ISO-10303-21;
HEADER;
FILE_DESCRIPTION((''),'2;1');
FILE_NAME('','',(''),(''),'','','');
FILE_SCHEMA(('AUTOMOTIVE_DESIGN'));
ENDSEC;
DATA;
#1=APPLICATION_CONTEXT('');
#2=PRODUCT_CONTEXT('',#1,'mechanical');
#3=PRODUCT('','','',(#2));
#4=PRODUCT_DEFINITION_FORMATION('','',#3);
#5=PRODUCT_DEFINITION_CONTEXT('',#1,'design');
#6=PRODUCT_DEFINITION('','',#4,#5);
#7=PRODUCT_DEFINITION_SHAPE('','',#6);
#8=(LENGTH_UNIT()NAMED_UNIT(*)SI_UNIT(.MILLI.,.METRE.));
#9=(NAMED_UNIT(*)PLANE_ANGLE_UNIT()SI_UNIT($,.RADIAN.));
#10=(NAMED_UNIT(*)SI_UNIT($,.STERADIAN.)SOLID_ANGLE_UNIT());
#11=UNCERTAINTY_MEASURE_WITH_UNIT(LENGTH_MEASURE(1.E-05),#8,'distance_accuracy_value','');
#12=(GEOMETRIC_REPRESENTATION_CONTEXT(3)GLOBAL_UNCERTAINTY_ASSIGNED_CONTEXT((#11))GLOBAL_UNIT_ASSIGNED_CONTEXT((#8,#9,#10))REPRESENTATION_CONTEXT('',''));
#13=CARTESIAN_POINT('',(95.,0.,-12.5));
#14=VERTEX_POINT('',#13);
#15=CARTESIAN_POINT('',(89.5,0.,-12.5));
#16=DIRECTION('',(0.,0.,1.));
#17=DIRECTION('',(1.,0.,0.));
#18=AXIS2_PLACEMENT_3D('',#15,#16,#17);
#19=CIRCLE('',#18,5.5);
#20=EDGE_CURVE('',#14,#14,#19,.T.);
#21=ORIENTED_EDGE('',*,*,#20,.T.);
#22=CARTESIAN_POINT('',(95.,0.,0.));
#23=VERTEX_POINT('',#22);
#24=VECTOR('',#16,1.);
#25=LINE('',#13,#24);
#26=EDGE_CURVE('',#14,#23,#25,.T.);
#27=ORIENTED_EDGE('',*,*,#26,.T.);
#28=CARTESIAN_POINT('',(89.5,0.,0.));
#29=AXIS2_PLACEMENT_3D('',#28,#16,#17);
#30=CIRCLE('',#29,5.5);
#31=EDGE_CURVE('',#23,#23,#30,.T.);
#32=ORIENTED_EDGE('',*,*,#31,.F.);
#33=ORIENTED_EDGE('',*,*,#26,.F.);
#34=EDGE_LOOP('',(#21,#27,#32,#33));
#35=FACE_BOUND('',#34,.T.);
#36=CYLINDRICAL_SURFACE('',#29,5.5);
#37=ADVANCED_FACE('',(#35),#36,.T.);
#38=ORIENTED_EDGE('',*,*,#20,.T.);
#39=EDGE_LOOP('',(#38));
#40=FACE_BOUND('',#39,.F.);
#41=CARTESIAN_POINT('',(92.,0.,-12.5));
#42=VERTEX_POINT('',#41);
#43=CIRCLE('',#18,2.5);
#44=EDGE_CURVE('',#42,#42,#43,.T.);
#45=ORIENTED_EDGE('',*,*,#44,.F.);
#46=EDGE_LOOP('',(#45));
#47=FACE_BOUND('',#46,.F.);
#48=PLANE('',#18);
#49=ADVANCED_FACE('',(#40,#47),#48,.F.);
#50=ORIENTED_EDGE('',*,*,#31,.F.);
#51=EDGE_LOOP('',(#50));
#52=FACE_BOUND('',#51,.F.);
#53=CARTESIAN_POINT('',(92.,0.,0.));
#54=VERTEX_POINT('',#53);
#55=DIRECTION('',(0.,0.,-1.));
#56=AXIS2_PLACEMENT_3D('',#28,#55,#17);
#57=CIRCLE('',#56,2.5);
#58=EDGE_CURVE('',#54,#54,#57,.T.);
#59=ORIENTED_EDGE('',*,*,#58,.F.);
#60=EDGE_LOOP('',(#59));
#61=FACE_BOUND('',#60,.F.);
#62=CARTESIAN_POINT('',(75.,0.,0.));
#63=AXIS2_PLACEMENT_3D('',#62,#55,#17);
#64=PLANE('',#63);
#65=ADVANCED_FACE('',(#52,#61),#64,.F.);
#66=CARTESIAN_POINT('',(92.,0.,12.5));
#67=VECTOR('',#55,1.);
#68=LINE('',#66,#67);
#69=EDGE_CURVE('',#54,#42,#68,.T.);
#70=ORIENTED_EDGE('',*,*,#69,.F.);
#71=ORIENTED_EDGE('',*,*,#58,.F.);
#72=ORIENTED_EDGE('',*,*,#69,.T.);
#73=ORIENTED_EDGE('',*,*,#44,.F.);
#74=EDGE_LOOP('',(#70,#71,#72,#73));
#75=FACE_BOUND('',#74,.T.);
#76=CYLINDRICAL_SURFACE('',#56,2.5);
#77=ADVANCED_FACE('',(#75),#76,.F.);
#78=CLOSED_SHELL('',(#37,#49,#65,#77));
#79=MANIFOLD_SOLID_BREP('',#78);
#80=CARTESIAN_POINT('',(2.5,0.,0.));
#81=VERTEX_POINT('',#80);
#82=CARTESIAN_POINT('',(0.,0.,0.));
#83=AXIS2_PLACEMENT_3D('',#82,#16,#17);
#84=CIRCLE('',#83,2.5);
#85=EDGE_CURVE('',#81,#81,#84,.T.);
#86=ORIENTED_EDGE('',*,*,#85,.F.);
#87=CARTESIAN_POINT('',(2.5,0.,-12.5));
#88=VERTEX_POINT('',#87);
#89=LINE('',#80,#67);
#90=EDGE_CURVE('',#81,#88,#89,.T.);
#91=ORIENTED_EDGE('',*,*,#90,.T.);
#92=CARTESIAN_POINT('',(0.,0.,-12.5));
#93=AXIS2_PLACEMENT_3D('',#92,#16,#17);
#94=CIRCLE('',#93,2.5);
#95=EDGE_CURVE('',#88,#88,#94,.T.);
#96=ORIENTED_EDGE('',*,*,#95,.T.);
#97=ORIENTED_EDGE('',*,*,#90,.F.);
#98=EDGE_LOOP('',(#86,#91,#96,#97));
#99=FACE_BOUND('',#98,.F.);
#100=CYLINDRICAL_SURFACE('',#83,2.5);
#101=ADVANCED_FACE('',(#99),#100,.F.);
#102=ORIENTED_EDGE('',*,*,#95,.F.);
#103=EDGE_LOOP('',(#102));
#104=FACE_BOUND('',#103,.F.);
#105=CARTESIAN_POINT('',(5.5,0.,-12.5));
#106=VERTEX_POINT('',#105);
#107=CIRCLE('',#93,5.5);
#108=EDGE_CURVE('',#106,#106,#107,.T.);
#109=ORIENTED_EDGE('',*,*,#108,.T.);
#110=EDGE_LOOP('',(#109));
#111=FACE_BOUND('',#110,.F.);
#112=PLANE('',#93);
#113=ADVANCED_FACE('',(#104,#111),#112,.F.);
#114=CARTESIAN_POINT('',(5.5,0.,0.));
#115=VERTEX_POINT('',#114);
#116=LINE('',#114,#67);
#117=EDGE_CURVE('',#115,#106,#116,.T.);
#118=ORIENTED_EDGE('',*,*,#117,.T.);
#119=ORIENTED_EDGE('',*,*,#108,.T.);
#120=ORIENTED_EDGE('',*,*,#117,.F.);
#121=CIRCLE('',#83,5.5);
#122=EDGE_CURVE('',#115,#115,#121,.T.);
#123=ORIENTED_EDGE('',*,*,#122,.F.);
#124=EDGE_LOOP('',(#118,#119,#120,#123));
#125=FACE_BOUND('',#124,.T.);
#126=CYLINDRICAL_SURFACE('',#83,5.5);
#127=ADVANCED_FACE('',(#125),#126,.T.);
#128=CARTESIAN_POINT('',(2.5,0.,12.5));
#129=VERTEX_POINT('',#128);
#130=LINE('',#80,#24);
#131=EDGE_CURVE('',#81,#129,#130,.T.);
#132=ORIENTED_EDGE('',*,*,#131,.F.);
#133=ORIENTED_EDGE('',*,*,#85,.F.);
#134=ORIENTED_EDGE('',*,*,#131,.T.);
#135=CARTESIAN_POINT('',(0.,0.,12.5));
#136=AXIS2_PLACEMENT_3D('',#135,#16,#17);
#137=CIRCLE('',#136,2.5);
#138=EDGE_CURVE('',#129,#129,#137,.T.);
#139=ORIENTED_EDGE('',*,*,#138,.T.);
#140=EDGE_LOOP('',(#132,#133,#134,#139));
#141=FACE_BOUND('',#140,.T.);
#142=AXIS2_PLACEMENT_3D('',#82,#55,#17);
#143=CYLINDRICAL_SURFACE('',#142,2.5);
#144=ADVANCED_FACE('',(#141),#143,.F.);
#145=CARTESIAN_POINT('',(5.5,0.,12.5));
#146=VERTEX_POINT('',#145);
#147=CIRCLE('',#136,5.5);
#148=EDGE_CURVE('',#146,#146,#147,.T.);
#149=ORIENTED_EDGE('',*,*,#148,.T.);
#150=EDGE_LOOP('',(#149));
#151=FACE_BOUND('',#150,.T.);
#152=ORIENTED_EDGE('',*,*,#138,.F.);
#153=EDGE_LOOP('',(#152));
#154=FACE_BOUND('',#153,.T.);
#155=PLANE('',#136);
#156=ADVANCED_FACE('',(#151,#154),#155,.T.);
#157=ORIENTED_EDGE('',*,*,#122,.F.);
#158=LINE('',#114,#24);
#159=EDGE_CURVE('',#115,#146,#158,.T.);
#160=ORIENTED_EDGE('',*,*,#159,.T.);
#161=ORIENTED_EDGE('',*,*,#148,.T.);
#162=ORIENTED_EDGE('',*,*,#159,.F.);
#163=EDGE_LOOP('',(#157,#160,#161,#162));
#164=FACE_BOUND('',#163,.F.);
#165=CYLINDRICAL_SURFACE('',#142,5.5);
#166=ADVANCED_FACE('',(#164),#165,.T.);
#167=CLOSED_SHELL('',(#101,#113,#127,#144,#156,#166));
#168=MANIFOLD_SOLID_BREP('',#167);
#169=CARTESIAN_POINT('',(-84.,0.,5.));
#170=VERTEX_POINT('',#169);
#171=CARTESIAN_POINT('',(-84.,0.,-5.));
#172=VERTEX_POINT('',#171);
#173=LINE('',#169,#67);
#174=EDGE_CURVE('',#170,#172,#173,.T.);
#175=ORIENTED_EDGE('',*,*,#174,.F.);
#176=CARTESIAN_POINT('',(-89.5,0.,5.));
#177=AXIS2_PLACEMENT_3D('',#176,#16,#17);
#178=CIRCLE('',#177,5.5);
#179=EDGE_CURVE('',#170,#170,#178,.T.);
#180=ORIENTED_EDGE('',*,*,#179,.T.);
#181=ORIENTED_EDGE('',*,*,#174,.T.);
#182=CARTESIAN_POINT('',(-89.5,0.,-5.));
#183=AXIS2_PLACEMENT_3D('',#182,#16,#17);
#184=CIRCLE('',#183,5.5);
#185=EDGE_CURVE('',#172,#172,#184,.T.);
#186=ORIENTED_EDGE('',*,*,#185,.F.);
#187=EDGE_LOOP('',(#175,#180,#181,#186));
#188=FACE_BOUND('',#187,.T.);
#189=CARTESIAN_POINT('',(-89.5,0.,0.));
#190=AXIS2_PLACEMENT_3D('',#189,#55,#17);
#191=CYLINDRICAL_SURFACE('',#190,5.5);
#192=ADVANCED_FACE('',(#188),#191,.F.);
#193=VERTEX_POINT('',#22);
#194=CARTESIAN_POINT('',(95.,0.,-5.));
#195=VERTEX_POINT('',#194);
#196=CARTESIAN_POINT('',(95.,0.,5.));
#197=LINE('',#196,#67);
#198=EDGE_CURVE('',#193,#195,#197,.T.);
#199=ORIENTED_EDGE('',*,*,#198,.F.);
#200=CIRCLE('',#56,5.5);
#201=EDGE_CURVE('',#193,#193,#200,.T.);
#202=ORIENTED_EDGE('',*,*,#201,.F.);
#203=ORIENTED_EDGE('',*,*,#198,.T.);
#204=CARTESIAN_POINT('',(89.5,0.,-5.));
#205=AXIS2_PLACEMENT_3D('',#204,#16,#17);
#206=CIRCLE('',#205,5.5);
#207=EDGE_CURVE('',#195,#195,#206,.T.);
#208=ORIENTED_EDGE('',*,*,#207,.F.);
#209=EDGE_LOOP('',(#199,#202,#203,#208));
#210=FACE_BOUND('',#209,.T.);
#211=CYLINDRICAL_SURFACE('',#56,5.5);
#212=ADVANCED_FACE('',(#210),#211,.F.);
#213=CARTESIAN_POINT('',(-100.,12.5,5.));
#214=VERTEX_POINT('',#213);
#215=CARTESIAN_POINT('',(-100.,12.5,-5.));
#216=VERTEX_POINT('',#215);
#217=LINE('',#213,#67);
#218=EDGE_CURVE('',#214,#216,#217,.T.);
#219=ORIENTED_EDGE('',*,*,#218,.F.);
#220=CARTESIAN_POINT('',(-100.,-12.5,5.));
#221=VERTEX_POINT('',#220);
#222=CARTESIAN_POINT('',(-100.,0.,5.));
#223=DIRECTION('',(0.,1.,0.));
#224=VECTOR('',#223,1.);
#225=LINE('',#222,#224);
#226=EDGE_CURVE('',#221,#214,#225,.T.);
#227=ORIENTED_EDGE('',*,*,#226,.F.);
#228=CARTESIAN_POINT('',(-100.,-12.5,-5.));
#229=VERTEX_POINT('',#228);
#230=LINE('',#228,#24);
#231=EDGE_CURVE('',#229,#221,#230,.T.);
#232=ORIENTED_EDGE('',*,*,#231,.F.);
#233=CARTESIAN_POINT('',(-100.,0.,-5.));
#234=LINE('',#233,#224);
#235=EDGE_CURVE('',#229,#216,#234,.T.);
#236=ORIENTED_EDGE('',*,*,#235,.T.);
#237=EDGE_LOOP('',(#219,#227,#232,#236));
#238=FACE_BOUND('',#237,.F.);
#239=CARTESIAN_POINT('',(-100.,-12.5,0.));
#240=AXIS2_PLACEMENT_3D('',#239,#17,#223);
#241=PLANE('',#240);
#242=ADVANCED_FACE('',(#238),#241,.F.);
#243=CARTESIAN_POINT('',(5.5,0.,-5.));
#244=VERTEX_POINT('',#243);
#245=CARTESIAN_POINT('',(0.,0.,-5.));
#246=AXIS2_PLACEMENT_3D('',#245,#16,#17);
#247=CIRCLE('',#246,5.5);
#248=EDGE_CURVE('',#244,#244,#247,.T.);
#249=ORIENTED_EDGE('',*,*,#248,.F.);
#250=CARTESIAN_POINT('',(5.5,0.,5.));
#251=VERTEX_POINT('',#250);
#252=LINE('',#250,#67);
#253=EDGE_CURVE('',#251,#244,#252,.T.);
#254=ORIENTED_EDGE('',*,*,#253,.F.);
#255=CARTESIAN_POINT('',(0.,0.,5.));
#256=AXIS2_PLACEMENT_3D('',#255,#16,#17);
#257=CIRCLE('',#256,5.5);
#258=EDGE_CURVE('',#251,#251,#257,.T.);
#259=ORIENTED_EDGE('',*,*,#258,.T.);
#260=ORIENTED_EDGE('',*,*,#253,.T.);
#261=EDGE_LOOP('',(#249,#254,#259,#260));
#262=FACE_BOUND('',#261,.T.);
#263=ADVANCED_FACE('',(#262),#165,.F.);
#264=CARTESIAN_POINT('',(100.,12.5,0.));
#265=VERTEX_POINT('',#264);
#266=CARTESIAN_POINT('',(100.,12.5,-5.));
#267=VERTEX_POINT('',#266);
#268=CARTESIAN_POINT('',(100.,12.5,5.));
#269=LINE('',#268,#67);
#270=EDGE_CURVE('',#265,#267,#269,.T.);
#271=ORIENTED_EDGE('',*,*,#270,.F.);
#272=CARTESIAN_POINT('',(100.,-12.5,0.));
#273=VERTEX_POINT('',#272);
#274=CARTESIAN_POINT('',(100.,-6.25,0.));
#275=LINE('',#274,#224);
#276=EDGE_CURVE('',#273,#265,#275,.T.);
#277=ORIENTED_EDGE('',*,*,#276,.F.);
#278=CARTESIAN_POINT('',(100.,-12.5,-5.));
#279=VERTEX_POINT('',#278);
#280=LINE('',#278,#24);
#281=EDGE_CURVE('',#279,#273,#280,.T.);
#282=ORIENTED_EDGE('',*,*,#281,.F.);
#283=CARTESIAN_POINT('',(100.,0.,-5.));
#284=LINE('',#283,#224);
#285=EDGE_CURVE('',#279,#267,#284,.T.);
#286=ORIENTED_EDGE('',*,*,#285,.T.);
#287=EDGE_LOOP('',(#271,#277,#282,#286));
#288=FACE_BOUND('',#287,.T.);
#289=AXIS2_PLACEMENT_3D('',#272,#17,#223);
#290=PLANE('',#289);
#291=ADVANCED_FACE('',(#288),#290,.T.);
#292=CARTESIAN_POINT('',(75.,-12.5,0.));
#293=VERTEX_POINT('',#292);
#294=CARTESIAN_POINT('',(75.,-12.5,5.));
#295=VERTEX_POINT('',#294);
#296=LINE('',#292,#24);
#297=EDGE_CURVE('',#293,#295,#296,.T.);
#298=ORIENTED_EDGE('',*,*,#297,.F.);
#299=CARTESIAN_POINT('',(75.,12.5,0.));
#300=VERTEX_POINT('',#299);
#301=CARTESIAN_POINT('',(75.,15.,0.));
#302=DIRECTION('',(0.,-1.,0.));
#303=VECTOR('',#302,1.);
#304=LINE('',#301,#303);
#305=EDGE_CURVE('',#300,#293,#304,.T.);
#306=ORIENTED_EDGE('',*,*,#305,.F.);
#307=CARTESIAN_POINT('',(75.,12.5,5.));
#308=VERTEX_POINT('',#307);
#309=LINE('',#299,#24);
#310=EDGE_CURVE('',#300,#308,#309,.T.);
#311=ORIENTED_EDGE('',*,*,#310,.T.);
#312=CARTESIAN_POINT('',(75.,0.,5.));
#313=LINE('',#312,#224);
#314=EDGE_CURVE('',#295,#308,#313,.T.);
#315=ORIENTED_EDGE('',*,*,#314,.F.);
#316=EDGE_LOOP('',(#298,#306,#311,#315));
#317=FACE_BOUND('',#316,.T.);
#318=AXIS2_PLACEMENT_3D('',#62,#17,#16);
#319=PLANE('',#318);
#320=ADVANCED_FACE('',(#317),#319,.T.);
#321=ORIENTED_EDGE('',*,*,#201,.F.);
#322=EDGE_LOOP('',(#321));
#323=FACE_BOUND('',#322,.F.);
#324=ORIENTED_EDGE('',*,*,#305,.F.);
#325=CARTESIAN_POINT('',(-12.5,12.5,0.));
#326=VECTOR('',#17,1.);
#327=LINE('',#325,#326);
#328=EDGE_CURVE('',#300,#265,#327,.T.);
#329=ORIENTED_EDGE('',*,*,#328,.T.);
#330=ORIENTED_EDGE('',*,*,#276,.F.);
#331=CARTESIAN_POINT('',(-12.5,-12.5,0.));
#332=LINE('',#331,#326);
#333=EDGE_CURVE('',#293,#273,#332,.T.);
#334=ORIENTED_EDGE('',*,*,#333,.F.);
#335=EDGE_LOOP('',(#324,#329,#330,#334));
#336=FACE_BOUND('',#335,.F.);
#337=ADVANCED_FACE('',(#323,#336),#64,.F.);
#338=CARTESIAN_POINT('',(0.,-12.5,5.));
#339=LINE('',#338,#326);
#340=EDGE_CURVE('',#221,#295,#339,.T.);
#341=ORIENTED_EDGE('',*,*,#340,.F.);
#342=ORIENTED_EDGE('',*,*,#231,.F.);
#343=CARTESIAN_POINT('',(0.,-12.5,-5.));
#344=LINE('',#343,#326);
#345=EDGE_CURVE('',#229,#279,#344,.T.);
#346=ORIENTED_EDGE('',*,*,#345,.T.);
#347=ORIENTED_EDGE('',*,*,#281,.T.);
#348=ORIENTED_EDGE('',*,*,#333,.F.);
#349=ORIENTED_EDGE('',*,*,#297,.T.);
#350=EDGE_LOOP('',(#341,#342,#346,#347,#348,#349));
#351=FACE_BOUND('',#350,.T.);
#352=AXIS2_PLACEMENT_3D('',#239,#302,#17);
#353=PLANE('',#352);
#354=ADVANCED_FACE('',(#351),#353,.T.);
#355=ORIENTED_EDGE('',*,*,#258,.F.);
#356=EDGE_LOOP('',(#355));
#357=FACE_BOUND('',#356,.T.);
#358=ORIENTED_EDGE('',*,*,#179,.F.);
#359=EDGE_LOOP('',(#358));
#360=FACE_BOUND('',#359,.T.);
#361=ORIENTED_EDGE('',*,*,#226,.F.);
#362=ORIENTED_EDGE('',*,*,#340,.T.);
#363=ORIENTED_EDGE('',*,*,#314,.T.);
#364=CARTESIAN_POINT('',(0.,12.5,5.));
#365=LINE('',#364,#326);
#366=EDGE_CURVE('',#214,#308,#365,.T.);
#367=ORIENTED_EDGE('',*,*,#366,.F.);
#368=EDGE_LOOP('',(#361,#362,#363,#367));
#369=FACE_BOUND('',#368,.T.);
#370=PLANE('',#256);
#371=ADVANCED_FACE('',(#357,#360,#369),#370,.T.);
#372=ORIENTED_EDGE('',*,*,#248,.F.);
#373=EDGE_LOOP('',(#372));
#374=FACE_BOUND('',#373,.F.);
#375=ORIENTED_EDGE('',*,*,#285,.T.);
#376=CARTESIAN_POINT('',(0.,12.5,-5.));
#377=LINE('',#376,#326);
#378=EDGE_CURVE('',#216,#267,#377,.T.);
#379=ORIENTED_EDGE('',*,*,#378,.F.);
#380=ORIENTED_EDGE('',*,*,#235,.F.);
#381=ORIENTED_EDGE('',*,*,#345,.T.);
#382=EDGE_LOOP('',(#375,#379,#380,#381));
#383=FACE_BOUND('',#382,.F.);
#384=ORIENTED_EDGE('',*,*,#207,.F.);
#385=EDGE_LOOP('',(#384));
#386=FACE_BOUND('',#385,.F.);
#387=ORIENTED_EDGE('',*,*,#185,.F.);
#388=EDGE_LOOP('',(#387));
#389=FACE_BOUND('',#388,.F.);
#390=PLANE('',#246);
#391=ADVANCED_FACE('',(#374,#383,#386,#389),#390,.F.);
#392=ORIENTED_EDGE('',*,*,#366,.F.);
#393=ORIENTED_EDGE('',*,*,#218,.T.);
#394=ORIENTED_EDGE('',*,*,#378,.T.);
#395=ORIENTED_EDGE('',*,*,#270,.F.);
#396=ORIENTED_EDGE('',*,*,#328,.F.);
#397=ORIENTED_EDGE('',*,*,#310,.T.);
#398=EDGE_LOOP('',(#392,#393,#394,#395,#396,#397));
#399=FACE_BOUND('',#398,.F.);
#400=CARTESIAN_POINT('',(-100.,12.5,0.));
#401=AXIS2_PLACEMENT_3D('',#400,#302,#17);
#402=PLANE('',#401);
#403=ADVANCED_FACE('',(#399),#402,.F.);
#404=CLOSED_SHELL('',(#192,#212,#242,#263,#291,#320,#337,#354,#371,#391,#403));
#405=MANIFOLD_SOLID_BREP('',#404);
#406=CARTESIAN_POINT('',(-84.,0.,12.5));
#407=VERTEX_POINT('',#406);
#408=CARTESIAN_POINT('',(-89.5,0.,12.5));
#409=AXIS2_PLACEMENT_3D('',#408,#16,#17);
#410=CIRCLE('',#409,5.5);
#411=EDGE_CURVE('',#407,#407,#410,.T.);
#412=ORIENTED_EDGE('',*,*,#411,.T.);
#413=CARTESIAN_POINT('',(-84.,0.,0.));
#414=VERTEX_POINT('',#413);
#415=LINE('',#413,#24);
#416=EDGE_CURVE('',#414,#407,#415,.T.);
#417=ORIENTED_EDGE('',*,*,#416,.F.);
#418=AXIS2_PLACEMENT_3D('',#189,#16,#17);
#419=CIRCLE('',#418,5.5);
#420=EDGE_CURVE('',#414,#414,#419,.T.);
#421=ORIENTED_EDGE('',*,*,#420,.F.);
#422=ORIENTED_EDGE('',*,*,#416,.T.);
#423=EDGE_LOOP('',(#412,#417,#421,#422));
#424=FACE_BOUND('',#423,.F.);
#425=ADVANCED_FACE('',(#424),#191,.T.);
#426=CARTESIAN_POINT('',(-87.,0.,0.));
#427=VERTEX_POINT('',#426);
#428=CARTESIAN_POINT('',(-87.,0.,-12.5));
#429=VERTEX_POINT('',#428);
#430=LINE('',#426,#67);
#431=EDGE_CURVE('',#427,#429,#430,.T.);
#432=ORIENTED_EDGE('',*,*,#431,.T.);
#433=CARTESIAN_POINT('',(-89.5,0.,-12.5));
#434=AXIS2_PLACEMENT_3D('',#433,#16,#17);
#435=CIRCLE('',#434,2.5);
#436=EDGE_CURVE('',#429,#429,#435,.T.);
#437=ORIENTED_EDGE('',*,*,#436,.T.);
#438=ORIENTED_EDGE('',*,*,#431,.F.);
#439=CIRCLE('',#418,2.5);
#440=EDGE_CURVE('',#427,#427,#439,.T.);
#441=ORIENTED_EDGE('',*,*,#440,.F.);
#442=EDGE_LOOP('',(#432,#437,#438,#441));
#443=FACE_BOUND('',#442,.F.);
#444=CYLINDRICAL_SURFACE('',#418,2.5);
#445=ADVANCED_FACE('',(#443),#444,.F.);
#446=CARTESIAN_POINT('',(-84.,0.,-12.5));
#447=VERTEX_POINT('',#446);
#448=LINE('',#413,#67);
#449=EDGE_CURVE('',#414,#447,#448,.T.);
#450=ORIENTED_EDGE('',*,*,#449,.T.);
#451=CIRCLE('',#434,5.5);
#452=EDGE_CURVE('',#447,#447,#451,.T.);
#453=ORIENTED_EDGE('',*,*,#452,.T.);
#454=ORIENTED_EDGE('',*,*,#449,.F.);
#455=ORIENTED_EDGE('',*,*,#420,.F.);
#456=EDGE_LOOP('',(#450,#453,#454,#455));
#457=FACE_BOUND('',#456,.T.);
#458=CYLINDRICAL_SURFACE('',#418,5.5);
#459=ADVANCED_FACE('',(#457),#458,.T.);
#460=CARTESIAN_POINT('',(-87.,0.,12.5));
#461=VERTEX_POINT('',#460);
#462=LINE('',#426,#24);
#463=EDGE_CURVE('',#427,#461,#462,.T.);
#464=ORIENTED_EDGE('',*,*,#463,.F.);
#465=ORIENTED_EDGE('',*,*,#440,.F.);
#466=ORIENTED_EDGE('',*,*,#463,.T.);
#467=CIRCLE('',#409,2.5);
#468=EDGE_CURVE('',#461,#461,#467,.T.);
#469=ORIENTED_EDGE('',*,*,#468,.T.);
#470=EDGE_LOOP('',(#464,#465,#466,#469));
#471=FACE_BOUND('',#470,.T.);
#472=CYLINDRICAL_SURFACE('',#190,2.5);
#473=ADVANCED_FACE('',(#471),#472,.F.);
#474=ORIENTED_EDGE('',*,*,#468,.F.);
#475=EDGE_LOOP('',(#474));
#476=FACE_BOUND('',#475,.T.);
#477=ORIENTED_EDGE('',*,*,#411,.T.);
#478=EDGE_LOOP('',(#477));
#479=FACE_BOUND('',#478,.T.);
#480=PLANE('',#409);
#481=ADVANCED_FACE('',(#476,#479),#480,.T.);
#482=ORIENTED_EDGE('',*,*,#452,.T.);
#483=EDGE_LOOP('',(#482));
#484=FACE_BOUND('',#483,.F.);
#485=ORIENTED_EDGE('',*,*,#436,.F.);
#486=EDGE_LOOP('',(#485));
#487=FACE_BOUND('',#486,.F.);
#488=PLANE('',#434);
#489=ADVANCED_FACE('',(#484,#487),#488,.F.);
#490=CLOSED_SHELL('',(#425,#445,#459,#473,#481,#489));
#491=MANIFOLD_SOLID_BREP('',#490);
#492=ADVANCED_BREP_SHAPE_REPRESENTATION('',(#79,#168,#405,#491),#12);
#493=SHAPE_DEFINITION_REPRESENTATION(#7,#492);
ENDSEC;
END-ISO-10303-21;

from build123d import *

# Parameters (mm, degrees)
F0_R     = 5.5
F0_R_2   = 2.5
F1_DEPTH = 12.5
F0_W     = 200
F0_H     = 25
F2_DEPTH = 5
F3_W     = 30
F3_H     = 20
F4_DEPTH = 15


with BuildPart() as f1:
    # F0 (on Top) → F1 (new body, symmetric)
    with BuildSketch(Plane.XY):
        with Locations((-89.5, 0)):
            Circle(F0_R)
        with Locations((-89.5, 0)):
            Circle(F0_R_2, mode=Mode.SUBTRACT)
        Circle(F0_R)
        Circle(F0_R_2, mode=Mode.SUBTRACT)
        with Locations((89.5, 0)):
            Circle(F0_R)
        with Locations((89.5, 0)):
            Circle(F0_R_2, mode=Mode.SUBTRACT)
    extrude(amount=F1_DEPTH, both=True)


with BuildPart() as f2:
    # F0 (on Top) → F2 (new body, symmetric)
    with BuildSketch(Plane.XY):
        Rectangle(F0_W, F0_H)
        with Locations((-89.5, 0)):
            Circle(F0_R, mode=Mode.SUBTRACT)
        Circle(F0_R, mode=Mode.SUBTRACT)
        with Locations((89.5, 0)):
            Circle(F0_R, mode=Mode.SUBTRACT)
    extrude(amount=F2_DEPTH, both=True)


with BuildPart() as f4_tool:
    # F3 (on Front) → F4 (new body, symmetric)
    with BuildSketch(Plane.XZ):
        with Locations((90, 10)):
            Rectangle(F3_W, F3_H)
    extrude(amount=F4_DEPTH, both=True)


with BuildPart() as f1_1:
    add(f1.part)

    # F4: cut by f4_tool
    add(f4_tool.part, mode=Mode.SUBTRACT)


with BuildPart() as f2_1:
    add(f2.part)

    # F4: cut by f4_tool
    add(f4_tool.part, mode=Mode.SUBTRACT)


solid = Compound([f1_1.part, f2_1.part])
